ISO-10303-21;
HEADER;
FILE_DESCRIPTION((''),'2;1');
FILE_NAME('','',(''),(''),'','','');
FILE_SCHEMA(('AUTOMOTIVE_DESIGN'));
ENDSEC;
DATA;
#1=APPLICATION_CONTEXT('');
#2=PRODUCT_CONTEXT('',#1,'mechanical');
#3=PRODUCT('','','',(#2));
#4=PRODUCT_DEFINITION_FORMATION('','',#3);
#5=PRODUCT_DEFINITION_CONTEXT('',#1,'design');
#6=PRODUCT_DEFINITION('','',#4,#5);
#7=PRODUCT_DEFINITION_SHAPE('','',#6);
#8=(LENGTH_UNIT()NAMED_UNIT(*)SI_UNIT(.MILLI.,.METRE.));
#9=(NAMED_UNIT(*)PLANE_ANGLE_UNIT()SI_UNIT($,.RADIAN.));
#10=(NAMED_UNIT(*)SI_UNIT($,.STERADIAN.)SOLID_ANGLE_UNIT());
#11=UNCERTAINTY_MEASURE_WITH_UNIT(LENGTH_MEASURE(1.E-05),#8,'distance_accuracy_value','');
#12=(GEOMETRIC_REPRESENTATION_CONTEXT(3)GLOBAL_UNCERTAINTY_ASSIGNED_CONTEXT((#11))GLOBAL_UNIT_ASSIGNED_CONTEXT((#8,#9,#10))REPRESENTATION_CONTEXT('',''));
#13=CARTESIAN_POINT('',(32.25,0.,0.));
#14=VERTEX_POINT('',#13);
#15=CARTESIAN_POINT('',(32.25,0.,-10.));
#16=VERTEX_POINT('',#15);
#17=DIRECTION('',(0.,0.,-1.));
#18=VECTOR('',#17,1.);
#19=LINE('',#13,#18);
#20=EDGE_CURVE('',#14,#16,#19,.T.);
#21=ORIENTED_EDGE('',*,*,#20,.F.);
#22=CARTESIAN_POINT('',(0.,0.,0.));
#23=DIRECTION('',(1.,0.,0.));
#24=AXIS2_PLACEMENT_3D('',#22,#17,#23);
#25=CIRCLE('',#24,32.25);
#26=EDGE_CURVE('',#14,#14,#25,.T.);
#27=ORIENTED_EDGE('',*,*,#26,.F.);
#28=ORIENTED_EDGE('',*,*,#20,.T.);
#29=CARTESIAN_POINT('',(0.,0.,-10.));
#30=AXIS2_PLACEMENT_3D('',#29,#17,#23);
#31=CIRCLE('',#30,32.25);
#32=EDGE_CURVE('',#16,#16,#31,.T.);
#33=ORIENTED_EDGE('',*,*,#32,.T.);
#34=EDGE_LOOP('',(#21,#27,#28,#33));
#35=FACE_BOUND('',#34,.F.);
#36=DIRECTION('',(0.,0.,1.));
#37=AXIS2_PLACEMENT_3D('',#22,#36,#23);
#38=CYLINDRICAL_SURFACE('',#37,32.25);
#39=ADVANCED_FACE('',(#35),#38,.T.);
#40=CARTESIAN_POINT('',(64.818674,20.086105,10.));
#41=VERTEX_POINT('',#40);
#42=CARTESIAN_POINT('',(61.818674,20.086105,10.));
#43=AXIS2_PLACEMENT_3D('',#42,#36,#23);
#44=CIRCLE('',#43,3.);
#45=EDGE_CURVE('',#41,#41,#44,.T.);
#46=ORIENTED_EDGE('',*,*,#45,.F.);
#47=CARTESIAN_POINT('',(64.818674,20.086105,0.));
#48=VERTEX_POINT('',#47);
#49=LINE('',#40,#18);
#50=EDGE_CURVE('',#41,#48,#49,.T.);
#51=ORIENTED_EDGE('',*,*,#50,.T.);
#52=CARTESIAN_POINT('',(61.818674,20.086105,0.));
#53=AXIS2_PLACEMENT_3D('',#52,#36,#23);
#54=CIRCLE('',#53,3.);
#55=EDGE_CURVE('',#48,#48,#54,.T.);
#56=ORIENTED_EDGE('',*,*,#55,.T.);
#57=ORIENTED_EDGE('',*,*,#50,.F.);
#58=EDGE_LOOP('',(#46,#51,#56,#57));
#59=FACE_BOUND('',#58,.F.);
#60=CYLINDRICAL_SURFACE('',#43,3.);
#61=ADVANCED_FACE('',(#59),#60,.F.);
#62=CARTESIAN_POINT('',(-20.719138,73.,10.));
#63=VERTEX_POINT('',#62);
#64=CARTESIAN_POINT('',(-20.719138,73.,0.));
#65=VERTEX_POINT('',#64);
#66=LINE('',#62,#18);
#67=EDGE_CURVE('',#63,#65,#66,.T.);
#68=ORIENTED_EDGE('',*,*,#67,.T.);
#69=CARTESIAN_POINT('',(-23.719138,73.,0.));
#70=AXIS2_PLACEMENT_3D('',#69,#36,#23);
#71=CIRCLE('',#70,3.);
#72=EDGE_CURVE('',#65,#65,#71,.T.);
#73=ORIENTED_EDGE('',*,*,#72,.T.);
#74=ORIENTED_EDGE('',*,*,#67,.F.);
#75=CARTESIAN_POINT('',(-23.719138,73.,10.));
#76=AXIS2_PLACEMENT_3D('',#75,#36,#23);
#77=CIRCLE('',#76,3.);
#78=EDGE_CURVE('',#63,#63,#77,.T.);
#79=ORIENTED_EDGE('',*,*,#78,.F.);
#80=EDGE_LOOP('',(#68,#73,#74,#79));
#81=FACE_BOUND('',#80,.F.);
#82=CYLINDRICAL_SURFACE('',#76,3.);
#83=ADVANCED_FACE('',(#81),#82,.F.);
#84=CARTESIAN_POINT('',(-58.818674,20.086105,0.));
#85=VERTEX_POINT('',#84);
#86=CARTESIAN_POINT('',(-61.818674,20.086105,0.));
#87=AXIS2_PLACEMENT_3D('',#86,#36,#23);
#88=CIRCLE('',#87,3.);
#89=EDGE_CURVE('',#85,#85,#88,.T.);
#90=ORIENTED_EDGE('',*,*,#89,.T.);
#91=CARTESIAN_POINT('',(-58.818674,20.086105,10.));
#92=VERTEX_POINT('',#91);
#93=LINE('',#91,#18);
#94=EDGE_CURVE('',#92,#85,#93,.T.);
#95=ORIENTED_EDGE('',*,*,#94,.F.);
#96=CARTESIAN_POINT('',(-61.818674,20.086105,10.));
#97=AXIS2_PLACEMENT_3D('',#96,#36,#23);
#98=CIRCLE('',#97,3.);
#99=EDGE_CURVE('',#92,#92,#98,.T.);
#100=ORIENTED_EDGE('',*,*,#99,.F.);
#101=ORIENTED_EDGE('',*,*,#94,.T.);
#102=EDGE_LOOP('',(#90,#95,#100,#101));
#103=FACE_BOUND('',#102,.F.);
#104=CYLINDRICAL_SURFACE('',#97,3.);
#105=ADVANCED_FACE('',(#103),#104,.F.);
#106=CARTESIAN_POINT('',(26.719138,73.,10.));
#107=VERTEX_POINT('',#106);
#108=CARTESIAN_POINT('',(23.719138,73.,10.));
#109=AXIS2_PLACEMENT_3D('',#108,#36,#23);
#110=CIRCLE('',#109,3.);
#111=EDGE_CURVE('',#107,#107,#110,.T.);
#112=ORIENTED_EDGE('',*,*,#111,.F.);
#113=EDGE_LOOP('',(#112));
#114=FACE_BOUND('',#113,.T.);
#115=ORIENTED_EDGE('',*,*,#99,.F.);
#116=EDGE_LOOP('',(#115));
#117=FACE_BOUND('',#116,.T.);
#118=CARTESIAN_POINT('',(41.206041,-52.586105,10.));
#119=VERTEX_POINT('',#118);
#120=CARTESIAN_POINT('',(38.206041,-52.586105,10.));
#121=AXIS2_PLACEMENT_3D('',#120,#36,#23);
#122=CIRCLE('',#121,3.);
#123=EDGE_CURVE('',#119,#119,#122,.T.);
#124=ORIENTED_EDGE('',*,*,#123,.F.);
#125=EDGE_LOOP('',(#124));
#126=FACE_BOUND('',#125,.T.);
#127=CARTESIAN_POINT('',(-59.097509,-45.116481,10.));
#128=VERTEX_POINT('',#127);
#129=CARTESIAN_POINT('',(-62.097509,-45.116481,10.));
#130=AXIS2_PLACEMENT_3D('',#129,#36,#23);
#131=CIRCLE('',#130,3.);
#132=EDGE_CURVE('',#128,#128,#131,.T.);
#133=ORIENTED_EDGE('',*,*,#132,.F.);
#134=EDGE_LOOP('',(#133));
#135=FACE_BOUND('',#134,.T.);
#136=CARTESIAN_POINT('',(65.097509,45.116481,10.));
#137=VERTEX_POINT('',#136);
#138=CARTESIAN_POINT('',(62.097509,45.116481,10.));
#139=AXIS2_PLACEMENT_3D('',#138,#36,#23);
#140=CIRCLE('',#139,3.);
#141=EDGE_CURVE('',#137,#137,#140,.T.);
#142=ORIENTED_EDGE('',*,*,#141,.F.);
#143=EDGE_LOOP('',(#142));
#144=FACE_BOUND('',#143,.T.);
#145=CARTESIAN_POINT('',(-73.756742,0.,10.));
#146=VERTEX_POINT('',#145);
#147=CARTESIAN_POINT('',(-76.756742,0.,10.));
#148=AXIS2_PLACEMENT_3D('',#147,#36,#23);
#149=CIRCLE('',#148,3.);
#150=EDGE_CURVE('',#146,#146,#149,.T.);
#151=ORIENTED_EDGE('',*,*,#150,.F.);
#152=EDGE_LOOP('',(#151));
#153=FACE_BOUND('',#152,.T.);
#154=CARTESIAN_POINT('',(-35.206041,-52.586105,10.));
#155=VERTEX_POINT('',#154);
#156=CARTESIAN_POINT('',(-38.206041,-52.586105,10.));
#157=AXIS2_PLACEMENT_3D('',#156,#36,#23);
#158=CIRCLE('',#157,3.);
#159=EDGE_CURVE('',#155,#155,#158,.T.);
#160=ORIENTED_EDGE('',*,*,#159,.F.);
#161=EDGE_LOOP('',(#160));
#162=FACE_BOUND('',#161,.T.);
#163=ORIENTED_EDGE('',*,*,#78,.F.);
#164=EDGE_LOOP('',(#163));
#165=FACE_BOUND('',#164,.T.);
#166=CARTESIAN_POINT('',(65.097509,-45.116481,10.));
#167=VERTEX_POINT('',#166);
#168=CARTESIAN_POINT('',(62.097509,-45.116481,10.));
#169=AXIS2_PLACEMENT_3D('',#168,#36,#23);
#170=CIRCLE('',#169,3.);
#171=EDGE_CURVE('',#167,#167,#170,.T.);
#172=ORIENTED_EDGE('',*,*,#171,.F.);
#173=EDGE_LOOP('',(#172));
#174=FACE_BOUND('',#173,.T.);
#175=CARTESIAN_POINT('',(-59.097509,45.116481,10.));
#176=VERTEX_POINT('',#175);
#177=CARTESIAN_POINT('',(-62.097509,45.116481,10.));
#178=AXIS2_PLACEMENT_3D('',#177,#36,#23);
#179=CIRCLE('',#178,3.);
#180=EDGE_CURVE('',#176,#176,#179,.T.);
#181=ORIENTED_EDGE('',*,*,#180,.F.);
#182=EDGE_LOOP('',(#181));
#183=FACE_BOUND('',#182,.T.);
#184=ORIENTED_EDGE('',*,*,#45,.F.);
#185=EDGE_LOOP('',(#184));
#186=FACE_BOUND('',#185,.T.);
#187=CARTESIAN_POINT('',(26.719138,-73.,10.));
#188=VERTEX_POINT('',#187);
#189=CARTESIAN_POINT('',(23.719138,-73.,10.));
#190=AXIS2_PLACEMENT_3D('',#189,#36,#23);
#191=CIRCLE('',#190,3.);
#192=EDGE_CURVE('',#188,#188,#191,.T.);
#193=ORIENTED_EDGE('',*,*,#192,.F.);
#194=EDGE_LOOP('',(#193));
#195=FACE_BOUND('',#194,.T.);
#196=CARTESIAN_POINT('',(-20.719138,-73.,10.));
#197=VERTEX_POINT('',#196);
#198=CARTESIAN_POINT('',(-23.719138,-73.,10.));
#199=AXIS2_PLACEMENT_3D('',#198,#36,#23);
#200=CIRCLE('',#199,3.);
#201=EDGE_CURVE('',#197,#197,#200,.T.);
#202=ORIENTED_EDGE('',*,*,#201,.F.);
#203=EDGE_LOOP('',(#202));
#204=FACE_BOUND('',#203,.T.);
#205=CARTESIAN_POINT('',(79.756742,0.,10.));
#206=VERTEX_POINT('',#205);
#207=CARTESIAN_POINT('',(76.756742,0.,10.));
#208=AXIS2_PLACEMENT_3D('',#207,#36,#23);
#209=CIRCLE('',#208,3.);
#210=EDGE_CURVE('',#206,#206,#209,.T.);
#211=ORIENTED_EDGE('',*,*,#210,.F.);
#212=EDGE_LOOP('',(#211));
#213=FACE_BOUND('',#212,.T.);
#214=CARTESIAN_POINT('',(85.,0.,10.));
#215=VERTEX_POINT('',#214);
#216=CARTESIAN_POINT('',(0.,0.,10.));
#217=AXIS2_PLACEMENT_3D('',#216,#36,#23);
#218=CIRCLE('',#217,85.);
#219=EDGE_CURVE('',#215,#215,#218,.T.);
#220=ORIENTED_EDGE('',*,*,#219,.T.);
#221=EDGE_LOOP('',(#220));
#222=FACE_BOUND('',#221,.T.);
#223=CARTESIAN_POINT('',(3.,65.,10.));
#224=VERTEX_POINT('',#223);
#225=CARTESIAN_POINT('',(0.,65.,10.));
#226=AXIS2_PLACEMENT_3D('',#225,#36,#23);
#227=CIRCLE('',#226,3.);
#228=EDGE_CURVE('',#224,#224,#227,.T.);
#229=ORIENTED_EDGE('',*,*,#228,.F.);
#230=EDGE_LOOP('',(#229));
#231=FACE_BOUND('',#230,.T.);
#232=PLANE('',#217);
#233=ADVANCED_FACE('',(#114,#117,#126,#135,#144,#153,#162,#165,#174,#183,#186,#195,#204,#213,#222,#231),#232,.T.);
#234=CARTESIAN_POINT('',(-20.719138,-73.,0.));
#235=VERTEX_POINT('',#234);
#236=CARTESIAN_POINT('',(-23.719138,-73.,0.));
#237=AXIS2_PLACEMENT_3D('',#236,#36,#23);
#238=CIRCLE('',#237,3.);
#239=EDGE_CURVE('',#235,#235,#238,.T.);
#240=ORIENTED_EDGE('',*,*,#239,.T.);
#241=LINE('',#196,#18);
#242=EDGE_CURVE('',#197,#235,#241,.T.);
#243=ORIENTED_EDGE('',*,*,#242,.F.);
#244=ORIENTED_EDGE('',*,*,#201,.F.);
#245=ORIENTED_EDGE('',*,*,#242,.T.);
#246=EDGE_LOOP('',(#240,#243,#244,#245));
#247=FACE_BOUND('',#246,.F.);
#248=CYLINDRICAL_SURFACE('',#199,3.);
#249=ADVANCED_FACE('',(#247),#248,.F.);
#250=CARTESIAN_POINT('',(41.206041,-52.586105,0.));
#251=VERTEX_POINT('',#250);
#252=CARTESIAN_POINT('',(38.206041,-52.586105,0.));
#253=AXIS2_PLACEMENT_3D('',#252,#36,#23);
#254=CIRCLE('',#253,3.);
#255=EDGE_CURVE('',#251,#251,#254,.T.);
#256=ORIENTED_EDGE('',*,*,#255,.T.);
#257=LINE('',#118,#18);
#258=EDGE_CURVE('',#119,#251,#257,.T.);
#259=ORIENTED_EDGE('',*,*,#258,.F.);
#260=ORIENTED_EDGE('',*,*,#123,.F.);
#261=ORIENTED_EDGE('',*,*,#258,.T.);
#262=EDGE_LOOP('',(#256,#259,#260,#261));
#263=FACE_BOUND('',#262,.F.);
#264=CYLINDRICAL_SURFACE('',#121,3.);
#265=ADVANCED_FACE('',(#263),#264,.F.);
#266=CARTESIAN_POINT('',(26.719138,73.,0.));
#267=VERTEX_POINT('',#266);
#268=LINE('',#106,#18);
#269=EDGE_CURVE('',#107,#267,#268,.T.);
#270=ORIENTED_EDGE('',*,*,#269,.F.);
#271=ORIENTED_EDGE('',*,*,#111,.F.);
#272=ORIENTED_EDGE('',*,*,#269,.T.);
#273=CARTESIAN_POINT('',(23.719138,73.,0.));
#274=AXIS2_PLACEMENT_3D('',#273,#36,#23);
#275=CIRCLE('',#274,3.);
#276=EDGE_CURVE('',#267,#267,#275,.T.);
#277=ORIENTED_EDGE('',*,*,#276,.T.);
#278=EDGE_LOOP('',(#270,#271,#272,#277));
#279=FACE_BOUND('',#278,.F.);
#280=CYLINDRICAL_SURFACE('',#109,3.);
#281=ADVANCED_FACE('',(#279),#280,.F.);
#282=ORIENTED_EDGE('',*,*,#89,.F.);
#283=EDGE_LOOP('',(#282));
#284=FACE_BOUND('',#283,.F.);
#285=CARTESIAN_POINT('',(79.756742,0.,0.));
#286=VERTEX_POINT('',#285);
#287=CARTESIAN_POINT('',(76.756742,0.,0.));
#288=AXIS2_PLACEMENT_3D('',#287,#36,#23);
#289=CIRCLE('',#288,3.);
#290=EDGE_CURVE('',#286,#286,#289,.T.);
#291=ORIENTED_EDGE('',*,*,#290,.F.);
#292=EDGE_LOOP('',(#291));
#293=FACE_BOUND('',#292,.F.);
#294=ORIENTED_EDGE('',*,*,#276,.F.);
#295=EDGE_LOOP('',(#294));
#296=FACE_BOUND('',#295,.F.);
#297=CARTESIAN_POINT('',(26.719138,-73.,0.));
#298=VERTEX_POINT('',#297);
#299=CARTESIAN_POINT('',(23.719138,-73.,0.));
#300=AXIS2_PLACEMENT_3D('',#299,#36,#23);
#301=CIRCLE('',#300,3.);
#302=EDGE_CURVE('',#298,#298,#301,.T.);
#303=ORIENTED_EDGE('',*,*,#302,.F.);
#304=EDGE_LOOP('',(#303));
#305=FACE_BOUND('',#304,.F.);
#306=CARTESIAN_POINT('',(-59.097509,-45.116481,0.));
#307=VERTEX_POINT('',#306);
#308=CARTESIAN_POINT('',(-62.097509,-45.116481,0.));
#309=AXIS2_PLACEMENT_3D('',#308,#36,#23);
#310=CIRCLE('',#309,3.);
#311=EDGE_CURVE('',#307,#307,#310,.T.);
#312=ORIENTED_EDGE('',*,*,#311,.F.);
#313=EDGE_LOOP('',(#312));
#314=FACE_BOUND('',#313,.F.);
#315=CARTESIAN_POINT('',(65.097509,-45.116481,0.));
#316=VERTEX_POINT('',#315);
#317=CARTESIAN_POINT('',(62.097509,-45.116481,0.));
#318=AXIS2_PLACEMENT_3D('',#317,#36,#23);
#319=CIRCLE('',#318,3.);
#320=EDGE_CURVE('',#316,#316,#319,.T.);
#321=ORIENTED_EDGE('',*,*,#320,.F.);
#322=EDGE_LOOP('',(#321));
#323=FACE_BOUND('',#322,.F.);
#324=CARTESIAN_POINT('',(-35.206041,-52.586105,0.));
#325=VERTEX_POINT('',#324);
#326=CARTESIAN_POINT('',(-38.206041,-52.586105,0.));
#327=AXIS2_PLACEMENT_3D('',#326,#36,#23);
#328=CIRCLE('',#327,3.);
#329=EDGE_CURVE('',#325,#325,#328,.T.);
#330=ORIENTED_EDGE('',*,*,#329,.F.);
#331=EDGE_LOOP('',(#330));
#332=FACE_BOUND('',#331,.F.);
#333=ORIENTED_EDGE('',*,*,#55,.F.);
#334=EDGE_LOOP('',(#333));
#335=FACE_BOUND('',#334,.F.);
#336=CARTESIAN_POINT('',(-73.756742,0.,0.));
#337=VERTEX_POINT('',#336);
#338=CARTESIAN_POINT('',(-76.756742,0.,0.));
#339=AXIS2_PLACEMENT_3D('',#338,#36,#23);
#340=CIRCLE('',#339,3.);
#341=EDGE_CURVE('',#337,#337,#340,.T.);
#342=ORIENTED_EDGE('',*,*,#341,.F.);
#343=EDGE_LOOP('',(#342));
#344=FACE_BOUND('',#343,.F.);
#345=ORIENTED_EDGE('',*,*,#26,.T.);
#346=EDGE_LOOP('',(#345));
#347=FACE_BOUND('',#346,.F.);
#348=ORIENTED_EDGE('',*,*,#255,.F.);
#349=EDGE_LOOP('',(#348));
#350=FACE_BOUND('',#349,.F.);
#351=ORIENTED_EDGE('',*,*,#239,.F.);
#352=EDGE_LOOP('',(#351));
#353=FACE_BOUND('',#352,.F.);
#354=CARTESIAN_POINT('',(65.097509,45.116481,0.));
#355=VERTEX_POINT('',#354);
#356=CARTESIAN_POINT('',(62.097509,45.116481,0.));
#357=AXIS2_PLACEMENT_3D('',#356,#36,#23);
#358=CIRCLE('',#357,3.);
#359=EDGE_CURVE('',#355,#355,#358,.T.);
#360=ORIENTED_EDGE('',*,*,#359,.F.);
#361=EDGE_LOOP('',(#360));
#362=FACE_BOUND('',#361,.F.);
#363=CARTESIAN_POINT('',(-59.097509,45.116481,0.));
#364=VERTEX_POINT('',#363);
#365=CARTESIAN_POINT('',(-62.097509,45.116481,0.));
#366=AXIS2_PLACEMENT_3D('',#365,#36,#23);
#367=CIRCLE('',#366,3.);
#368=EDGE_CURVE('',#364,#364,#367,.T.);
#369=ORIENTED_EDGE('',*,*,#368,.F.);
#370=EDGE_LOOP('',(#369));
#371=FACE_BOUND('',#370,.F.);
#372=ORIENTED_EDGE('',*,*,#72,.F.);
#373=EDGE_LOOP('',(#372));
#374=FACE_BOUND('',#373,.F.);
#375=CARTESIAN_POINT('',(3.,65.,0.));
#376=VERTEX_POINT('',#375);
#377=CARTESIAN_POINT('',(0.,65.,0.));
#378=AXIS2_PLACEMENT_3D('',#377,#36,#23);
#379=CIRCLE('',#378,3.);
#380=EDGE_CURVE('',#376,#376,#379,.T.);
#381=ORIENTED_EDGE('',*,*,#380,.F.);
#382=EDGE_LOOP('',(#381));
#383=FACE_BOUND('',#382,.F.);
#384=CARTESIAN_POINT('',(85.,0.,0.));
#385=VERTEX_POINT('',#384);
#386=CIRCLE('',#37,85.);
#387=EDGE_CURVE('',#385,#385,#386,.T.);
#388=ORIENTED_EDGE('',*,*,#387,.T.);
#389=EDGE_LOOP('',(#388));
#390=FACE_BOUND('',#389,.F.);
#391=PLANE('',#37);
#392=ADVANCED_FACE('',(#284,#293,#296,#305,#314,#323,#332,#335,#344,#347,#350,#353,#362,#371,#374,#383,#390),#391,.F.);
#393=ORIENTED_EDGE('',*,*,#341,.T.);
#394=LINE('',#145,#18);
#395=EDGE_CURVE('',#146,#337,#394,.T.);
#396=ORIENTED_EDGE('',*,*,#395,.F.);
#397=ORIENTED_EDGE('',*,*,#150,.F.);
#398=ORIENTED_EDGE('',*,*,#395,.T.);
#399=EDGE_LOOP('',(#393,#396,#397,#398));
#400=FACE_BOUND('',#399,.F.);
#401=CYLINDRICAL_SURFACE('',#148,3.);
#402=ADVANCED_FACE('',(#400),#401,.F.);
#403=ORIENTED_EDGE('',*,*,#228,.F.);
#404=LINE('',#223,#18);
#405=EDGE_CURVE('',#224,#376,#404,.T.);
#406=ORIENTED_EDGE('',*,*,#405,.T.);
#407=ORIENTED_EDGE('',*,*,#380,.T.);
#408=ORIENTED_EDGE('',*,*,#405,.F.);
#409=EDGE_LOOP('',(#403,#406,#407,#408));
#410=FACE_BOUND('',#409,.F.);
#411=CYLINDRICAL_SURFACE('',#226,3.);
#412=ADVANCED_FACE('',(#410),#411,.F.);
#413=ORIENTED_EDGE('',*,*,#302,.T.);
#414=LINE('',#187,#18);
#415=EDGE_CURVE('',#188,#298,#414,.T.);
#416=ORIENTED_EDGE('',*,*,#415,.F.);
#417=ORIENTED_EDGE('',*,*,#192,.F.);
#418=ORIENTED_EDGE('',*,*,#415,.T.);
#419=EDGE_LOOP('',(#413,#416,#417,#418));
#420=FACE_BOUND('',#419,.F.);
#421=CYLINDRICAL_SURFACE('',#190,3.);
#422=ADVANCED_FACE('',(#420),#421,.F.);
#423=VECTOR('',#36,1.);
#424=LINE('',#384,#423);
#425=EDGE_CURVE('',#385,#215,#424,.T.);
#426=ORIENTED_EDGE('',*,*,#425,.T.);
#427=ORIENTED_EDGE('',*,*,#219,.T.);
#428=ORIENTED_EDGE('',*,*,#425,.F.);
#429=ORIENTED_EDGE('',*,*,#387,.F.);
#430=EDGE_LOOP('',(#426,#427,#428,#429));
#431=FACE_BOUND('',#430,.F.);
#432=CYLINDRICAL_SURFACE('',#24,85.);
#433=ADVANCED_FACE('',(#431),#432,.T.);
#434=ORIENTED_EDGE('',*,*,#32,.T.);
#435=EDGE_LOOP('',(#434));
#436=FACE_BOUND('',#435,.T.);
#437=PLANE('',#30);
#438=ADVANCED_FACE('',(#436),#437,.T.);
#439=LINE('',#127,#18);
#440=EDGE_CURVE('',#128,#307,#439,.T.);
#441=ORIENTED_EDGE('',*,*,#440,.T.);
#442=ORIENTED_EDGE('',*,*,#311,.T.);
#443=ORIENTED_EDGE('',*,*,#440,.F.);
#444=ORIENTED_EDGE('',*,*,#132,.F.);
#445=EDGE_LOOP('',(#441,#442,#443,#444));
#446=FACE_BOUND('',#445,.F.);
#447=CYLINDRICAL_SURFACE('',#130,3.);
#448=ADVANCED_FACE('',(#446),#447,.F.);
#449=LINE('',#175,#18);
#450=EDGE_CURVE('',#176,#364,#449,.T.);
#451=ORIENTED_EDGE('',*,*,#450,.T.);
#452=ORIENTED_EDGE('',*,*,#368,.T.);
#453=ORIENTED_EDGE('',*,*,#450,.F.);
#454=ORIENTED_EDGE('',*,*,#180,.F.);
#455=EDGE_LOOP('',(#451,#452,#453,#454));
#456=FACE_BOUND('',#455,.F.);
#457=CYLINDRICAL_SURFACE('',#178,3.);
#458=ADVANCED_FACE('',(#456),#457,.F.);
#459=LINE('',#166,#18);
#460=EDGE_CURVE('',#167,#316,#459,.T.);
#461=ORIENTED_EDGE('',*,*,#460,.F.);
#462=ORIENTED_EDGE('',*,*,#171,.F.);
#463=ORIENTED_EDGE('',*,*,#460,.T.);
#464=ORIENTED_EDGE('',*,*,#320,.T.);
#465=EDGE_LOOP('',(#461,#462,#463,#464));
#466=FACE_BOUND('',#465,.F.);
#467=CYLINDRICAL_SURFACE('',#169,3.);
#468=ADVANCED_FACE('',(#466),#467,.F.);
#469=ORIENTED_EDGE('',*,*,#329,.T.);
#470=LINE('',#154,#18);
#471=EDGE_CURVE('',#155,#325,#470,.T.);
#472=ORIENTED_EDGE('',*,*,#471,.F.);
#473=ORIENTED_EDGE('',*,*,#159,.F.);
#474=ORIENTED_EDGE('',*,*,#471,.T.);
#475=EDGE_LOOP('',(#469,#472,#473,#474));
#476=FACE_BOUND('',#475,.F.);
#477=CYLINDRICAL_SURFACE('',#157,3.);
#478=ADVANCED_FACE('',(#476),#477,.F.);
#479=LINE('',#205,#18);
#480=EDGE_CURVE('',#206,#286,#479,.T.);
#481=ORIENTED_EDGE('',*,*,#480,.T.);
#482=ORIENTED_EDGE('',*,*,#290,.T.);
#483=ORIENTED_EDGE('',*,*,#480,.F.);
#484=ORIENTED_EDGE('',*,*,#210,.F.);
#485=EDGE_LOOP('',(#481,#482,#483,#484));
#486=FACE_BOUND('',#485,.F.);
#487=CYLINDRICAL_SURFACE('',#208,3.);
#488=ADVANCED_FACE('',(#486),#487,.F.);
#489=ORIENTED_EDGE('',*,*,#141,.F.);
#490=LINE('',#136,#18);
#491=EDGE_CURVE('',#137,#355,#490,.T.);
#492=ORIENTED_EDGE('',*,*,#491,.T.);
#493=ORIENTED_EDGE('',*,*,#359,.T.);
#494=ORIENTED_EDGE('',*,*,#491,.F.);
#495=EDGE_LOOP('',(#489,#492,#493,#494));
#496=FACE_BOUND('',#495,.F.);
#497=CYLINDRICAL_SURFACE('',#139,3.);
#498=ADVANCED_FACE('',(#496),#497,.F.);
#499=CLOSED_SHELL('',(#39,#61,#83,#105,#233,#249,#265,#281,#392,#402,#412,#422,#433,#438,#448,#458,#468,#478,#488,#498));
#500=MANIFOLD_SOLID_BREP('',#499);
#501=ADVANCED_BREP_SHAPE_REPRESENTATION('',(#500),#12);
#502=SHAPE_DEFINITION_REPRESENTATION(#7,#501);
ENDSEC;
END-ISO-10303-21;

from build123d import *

# Parameters (mm, degrees)
F0_R     = 85
F1_DEPTH = 10
F2_R     = 32.25
F3_DEPTH = 10
F4_R     = 3
F5_DEPTH = 20.001
F6_R     = 3
F7_DEPTH = 20.001


with BuildPart() as f1:
    # F0 (on Top) → F1 (new body)
    with BuildSketch(Plane.XY):
        Circle(F0_R)
    extrude(amount=F1_DEPTH)

    # F2 (on face) → F3 (join)
    with BuildSketch(Plane(origin=(0, 0, 0), x_dir=(1, 0, 0), z_dir=(0, 0, -1))):
        Circle(F2_R)
    extrude(amount=F3_DEPTH)

    # F4 (on face) → F5 (cut, through all)
    with BuildSketch(Plane.XY.offset(10)):
        with Locations((0, 65)):
            Circle(F4_R)
        with Locations((-61.818674, 20.086105)):
            Circle(F4_R)
        with Locations((-38.206041, -52.586105)):
            Circle(F4_R)
        with Locations((38.206041, -52.586105)):
            Circle(F4_R)
        with Locations((61.818674, 20.086105)):
            Circle(F4_R)
    extrude(amount=-F5_DEPTH, mode=Mode.SUBTRACT)

    # F6 (on face) → F7 (cut, through all)
    with BuildSketch(Plane.XY.offset(10)):
        with Locations((-23.719138, -73)):
            Circle(F6_R)
        with Locations((23.719138, -73)):
            Circle(F6_R)
        with Locations((62.097509, -45.116481)):
            Circle(F6_R)
        with Locations((76.756742, 0)):
            Circle(F6_R)
        with Locations((62.097509, 45.116481)):
            Circle(F6_R)
        with Locations((23.719138, 73)):
            Circle(F6_R)
        with Locations((-23.719138, 73)):
            Circle(F6_R)
        with Locations((-62.097509, 45.116481)):
            Circle(F6_R)
        with Locations((-76.756742, 0)):
            Circle(F6_R)
        with Locations((-62.097509, -45.116481)):
            Circle(F6_R)
    extrude(amount=-F7_DEPTH, mode=Mode.SUBTRACT)


solid = f1.part
